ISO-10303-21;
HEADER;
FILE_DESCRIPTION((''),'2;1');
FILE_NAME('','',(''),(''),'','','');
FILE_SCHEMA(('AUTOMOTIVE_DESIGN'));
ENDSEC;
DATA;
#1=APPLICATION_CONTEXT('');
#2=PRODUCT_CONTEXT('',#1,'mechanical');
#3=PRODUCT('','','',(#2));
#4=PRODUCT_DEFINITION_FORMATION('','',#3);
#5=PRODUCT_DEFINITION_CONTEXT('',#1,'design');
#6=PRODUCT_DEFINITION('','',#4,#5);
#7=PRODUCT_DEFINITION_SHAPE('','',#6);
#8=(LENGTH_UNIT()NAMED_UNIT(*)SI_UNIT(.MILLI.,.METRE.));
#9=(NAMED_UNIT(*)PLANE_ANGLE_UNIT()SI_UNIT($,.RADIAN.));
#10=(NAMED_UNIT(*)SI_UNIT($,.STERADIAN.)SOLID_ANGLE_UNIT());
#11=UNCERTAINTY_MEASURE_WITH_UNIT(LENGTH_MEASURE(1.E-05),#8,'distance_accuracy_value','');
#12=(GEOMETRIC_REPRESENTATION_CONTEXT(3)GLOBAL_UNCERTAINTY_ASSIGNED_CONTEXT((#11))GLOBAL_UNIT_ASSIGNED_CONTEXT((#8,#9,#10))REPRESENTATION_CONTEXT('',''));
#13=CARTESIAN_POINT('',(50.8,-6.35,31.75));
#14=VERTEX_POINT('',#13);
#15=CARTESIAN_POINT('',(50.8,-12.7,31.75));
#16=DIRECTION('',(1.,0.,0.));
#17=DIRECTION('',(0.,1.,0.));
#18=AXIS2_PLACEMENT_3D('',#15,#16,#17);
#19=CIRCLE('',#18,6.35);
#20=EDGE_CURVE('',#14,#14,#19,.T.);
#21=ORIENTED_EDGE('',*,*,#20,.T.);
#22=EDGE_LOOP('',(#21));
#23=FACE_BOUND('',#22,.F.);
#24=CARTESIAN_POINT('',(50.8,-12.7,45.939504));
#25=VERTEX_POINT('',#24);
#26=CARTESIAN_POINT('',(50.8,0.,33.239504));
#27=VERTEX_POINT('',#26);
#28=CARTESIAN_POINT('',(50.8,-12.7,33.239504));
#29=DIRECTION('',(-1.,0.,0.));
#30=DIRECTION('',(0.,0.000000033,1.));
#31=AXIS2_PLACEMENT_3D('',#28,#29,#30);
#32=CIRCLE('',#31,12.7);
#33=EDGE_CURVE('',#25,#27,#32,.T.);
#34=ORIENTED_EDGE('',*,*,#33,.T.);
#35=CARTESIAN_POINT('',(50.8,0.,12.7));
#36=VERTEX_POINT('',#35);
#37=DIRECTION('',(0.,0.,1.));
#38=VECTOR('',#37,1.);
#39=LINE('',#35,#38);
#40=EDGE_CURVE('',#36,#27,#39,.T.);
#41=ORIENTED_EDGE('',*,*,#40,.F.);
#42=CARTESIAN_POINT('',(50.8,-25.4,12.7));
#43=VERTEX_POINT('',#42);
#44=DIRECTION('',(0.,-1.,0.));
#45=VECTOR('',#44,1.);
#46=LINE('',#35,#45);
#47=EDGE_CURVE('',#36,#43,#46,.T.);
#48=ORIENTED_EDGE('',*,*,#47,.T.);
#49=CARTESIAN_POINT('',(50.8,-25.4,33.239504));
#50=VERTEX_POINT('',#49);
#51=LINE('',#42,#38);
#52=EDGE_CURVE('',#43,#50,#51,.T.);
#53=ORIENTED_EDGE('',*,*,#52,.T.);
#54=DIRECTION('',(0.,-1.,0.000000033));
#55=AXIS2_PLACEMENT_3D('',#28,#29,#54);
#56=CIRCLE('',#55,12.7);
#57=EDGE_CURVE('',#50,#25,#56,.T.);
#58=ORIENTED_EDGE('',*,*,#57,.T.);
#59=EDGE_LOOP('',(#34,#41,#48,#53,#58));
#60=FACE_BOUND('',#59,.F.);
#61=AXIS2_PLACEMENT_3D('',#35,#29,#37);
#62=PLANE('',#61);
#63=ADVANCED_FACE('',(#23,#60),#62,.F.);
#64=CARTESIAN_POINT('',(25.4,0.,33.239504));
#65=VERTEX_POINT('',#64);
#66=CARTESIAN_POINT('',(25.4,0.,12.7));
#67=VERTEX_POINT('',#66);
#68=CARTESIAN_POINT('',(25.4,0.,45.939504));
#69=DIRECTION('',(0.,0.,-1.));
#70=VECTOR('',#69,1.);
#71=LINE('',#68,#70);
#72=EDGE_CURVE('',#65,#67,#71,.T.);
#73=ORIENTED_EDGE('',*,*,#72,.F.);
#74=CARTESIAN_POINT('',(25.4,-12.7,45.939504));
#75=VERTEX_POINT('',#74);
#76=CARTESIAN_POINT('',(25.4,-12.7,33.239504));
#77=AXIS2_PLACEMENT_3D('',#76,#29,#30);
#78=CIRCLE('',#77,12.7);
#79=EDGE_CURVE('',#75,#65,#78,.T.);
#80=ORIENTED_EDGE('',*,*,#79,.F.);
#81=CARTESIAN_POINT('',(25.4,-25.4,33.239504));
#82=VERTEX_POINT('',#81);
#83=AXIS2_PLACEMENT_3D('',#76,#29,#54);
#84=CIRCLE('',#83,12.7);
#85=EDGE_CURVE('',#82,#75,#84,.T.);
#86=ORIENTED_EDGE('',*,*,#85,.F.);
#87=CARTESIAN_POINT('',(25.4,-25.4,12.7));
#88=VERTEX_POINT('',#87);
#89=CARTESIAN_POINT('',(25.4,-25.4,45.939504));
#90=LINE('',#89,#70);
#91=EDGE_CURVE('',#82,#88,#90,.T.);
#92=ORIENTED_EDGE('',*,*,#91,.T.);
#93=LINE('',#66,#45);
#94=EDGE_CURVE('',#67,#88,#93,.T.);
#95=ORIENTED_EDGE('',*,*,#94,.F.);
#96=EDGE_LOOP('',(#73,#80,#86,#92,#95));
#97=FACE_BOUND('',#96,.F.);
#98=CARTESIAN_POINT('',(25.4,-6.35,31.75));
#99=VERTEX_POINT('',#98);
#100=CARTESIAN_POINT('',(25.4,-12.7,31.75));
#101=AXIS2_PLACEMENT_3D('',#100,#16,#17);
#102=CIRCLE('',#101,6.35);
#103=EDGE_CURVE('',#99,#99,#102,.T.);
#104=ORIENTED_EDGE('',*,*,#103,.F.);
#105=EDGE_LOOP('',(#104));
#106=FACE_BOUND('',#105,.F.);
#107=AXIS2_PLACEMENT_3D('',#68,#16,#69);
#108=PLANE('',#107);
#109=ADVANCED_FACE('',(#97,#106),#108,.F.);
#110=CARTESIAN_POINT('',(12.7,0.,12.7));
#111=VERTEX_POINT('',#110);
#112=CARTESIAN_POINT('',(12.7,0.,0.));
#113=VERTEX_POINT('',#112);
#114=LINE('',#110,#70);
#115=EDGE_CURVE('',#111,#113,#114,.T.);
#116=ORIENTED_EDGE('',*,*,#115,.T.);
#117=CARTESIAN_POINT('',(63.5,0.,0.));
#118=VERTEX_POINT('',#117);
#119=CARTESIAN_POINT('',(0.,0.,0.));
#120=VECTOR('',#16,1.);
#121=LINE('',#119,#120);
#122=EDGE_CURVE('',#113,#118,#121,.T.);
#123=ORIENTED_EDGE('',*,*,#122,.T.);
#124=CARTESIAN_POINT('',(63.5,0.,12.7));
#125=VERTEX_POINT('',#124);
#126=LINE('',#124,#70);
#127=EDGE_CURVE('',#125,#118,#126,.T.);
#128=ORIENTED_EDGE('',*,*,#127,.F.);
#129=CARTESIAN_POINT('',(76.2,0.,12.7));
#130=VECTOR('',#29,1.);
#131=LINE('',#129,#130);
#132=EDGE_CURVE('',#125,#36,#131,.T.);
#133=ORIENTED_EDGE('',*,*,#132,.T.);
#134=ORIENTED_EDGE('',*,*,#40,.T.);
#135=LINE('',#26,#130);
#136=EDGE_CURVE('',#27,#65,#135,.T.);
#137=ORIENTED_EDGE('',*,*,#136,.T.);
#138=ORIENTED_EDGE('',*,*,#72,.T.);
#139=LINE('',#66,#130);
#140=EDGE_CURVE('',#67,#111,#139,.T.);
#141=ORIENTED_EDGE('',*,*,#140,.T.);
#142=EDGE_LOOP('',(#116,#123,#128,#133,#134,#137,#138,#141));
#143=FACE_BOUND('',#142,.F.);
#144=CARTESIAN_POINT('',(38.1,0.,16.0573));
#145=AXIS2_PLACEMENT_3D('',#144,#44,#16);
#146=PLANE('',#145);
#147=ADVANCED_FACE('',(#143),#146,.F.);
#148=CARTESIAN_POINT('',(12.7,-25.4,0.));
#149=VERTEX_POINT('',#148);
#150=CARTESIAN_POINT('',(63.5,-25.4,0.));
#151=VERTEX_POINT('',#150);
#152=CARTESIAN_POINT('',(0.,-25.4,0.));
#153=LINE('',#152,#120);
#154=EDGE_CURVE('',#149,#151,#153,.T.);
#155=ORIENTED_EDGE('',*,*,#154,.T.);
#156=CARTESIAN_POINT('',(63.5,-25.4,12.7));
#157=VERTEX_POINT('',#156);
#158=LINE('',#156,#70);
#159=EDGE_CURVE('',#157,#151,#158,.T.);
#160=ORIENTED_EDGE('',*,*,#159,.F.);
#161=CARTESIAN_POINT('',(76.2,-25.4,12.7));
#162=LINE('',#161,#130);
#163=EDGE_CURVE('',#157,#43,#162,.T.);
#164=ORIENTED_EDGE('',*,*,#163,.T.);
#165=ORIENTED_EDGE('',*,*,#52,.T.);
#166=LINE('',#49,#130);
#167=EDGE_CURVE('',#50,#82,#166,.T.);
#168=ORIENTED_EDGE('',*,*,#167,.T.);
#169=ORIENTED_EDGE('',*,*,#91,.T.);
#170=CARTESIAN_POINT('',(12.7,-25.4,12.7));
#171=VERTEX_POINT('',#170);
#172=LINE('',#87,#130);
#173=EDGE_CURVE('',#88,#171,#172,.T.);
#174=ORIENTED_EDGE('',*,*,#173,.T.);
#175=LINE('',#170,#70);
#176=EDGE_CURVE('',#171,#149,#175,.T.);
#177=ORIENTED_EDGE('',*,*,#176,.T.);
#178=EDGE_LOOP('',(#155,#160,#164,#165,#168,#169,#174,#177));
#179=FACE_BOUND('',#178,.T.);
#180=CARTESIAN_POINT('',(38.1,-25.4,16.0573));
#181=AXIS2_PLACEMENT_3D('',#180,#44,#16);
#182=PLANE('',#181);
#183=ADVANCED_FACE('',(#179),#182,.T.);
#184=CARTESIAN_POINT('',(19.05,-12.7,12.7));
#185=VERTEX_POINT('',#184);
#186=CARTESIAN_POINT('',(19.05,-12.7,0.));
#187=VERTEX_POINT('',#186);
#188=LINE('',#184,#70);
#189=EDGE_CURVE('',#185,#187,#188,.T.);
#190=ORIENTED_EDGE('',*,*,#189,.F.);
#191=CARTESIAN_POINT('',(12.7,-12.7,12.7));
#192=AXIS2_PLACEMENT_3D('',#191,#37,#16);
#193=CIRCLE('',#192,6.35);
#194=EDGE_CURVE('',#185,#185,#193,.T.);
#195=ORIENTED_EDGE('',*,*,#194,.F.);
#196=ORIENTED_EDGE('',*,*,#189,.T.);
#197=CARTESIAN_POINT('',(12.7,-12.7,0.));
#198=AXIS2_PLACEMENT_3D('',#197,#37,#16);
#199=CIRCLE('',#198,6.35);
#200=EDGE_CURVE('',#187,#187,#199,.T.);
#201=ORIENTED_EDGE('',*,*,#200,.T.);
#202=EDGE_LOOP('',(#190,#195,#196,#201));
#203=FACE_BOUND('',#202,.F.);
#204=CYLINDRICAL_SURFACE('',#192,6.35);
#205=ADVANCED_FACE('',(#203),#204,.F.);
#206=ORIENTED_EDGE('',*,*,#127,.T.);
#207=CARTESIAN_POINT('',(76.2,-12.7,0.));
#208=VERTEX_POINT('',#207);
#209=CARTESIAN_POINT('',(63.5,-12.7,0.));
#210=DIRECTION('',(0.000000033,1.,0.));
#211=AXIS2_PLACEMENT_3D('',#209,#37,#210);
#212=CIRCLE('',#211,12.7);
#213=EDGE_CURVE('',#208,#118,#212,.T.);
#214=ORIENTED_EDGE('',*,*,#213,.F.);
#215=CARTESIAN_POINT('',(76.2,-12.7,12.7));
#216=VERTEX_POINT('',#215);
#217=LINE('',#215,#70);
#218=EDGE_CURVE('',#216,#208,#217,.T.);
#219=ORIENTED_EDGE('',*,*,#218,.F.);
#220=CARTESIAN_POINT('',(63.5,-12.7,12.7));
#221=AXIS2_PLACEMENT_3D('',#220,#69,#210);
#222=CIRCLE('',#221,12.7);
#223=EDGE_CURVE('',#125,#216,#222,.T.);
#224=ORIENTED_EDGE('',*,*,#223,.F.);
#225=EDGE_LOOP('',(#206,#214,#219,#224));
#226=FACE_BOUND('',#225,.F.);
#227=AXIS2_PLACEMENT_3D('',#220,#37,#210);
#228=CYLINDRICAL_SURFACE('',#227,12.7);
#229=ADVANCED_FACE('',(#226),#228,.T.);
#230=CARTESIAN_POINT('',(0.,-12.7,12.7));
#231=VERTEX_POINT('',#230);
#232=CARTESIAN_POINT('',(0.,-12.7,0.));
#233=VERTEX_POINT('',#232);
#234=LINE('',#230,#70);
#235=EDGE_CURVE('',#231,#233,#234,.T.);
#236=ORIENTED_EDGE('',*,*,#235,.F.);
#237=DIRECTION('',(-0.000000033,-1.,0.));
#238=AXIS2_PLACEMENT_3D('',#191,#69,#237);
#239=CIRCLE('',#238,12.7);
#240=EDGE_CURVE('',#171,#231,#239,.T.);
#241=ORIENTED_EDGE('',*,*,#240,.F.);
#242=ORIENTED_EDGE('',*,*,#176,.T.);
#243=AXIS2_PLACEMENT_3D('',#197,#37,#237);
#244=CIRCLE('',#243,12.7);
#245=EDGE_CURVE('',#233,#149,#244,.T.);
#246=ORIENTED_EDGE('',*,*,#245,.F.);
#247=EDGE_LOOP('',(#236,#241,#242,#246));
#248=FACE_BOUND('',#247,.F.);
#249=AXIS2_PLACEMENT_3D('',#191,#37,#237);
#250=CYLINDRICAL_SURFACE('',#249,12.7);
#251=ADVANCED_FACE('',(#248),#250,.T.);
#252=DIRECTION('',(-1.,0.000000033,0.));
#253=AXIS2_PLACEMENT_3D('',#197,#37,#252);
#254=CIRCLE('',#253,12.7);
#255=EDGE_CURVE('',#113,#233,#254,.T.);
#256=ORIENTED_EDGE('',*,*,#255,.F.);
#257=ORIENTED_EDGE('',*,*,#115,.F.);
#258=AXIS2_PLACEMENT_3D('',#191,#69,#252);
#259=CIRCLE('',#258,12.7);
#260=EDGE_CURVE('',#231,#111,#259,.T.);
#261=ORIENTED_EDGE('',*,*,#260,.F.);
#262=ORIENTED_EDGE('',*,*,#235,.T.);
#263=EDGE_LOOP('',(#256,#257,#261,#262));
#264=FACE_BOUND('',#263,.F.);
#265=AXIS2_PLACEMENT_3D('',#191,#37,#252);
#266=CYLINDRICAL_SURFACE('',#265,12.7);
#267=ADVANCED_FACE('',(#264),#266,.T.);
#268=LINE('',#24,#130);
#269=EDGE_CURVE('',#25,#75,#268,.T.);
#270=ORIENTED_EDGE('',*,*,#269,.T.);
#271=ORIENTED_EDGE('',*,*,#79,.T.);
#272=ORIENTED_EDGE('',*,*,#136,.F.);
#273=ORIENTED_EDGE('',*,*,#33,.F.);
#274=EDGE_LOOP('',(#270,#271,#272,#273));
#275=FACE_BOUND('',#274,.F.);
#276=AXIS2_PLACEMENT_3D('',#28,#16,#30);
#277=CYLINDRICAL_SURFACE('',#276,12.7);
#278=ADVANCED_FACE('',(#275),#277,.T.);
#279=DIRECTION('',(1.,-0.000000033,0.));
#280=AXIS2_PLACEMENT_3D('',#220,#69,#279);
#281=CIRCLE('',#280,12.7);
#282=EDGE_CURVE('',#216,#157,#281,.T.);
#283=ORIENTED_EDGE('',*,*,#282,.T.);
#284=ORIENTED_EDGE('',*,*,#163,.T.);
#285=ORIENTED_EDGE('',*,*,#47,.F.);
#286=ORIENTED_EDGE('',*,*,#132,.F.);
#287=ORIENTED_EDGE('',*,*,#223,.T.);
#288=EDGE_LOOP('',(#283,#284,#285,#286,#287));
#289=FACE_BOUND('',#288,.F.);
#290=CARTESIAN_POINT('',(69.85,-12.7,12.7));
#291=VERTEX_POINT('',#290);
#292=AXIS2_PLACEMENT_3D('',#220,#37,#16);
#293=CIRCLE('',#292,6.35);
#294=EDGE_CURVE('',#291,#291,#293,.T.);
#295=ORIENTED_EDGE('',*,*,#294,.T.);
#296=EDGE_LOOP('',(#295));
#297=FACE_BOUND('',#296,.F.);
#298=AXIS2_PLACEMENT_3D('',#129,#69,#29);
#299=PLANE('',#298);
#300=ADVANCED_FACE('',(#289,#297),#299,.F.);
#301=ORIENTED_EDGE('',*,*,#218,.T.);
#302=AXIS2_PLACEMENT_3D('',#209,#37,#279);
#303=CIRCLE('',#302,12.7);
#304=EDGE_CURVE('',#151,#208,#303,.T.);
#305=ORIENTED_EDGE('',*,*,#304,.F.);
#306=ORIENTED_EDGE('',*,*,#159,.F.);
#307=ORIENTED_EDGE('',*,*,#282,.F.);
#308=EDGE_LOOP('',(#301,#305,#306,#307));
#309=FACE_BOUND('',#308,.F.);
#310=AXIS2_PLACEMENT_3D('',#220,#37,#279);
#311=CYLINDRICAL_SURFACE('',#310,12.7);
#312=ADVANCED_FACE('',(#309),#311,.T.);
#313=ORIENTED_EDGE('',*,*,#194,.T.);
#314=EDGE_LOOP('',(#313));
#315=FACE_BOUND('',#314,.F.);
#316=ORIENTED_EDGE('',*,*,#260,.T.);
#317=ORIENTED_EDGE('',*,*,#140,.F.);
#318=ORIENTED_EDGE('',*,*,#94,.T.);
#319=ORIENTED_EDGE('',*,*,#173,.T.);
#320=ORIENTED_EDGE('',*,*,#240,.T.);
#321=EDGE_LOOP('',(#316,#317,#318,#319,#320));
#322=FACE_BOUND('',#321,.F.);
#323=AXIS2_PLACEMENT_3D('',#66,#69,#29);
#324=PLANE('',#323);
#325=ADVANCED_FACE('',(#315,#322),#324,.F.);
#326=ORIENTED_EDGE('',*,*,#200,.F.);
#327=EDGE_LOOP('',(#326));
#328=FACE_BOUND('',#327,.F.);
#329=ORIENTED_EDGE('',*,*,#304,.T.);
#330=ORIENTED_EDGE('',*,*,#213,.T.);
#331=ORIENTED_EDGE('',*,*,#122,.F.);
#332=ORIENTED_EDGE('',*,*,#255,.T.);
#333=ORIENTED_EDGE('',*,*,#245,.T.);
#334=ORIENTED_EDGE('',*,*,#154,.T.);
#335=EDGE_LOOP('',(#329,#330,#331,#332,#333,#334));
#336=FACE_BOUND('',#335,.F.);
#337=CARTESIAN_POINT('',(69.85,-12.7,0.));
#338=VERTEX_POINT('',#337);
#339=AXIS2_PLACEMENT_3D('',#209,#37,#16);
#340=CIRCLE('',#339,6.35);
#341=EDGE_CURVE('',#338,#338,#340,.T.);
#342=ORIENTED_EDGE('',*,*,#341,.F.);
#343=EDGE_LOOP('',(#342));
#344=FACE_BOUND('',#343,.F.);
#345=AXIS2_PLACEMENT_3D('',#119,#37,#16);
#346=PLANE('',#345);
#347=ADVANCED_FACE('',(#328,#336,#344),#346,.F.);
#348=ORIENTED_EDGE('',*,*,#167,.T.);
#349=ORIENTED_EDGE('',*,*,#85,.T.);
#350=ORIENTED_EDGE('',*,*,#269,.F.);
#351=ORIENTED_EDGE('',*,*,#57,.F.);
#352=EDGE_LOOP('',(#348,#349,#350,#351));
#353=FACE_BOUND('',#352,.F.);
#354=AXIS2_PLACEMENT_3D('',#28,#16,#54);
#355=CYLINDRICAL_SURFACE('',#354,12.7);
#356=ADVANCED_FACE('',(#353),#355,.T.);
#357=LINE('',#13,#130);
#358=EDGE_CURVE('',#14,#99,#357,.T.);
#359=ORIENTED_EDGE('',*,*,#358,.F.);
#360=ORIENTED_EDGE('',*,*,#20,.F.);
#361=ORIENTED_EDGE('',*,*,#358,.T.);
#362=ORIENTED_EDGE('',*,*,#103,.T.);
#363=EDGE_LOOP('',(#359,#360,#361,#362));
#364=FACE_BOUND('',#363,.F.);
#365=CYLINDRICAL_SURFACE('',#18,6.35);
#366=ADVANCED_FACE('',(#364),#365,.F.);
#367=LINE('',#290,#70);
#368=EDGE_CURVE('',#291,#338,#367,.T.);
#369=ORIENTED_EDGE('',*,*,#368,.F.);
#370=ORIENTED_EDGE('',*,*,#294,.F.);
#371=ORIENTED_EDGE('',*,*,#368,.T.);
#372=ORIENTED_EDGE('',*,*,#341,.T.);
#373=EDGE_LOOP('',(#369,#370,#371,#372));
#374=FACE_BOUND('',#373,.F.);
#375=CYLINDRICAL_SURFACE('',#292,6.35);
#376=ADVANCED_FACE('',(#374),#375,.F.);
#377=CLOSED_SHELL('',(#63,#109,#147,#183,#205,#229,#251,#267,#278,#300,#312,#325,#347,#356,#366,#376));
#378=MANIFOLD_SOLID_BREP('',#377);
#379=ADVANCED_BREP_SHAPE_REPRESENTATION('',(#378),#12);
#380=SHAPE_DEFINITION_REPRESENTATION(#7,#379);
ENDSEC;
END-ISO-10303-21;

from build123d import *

# Parameters (mm, degrees)
F1_DEPTH = 25.4
F3_R     = 6.35
F2_R     = 6.35
F5_DEPTH = 25.4
F4_R     = 6.35
F6_DEPTH = 25.4


with BuildPart() as f1:
    # F0 (on Front) → F1 (new body)
    with BuildSketch(Plane.XZ):
        Polygon((0, 12.7), (0, 0), (76.2, 0), (76.2, 12.7), (50.8, 12.7), (50.8, 45.939504), (25.4, 45.939504), (25.4, 12.7), align=None)
    extrude(amount=F1_DEPTH)

    # F3 (on face) + F2 (on face) → F5 (cut)
    with BuildSketch(Plane.XY.offset(12.7)):
        with BuildLine():
            ThreePointArc((0, -12.7), (3.719744, -3.719744), (12.7, 0))
            Line((12.7, 0), (0, 0))
            Line((0, 0), (0, -12.7))
        make_face()
        with Locations((12.7, -12.7)):
            Circle(F3_R)
        with BuildLine():
            ThreePointArc((12.7, -25.4), (3.719744, -21.680256), (0, -12.7))
            Line((0, -12.7), (0, -25.4))
            Line((0, -25.4), (12.7, -25.4))
        make_face()
    with BuildSketch(Plane.XY.offset(12.7)):
        with Locations((63.5, -12.7)):
            Circle(F2_R)
        with BuildLine():
            ThreePointArc((63.5, 0), (72.480256, -3.719744), (76.2, -12.7))
            Line((76.2, -12.7), (76.2, 0))
            Line((76.2, 0), (63.5, 0))
        make_face()
        with BuildLine():
            ThreePointArc((76.2, -12.7), (72.480256, -21.680256), (63.5, -25.4))
            Line((63.5, -25.4), (76.2, -25.4))
            Line((76.2, -25.4), (76.2, -12.7))
        make_face()
    extrude(amount=-F5_DEPTH, mode=Mode.SUBTRACT)

    # F4 (on face) → F6 (cut)
    with BuildSketch(Plane.YZ.offset(50.8)):
        with Locations((-12.7, 31.75)):
            Circle(F4_R)
        with BuildLine():
            ThreePointArc((-12.7, 45.939504), (-3.719744, 42.21976), (0, 33.239504))
            Line((0, 33.239504), (0, 45.939504))
            Line((0, 45.939504), (-12.7, 45.939504))
        make_face()
        with BuildLine():
            ThreePointArc((-25.4, 33.239504), (-21.680256, 42.21976), (-12.7, 45.939504))
            Line((-12.7, 45.939504), (-25.4, 45.939504))
            Line((-25.4, 45.939504), (-25.4, 33.239504))
        make_face()
    extrude(amount=-F6_DEPTH, mode=Mode.SUBTRACT)


solid = f1.part
